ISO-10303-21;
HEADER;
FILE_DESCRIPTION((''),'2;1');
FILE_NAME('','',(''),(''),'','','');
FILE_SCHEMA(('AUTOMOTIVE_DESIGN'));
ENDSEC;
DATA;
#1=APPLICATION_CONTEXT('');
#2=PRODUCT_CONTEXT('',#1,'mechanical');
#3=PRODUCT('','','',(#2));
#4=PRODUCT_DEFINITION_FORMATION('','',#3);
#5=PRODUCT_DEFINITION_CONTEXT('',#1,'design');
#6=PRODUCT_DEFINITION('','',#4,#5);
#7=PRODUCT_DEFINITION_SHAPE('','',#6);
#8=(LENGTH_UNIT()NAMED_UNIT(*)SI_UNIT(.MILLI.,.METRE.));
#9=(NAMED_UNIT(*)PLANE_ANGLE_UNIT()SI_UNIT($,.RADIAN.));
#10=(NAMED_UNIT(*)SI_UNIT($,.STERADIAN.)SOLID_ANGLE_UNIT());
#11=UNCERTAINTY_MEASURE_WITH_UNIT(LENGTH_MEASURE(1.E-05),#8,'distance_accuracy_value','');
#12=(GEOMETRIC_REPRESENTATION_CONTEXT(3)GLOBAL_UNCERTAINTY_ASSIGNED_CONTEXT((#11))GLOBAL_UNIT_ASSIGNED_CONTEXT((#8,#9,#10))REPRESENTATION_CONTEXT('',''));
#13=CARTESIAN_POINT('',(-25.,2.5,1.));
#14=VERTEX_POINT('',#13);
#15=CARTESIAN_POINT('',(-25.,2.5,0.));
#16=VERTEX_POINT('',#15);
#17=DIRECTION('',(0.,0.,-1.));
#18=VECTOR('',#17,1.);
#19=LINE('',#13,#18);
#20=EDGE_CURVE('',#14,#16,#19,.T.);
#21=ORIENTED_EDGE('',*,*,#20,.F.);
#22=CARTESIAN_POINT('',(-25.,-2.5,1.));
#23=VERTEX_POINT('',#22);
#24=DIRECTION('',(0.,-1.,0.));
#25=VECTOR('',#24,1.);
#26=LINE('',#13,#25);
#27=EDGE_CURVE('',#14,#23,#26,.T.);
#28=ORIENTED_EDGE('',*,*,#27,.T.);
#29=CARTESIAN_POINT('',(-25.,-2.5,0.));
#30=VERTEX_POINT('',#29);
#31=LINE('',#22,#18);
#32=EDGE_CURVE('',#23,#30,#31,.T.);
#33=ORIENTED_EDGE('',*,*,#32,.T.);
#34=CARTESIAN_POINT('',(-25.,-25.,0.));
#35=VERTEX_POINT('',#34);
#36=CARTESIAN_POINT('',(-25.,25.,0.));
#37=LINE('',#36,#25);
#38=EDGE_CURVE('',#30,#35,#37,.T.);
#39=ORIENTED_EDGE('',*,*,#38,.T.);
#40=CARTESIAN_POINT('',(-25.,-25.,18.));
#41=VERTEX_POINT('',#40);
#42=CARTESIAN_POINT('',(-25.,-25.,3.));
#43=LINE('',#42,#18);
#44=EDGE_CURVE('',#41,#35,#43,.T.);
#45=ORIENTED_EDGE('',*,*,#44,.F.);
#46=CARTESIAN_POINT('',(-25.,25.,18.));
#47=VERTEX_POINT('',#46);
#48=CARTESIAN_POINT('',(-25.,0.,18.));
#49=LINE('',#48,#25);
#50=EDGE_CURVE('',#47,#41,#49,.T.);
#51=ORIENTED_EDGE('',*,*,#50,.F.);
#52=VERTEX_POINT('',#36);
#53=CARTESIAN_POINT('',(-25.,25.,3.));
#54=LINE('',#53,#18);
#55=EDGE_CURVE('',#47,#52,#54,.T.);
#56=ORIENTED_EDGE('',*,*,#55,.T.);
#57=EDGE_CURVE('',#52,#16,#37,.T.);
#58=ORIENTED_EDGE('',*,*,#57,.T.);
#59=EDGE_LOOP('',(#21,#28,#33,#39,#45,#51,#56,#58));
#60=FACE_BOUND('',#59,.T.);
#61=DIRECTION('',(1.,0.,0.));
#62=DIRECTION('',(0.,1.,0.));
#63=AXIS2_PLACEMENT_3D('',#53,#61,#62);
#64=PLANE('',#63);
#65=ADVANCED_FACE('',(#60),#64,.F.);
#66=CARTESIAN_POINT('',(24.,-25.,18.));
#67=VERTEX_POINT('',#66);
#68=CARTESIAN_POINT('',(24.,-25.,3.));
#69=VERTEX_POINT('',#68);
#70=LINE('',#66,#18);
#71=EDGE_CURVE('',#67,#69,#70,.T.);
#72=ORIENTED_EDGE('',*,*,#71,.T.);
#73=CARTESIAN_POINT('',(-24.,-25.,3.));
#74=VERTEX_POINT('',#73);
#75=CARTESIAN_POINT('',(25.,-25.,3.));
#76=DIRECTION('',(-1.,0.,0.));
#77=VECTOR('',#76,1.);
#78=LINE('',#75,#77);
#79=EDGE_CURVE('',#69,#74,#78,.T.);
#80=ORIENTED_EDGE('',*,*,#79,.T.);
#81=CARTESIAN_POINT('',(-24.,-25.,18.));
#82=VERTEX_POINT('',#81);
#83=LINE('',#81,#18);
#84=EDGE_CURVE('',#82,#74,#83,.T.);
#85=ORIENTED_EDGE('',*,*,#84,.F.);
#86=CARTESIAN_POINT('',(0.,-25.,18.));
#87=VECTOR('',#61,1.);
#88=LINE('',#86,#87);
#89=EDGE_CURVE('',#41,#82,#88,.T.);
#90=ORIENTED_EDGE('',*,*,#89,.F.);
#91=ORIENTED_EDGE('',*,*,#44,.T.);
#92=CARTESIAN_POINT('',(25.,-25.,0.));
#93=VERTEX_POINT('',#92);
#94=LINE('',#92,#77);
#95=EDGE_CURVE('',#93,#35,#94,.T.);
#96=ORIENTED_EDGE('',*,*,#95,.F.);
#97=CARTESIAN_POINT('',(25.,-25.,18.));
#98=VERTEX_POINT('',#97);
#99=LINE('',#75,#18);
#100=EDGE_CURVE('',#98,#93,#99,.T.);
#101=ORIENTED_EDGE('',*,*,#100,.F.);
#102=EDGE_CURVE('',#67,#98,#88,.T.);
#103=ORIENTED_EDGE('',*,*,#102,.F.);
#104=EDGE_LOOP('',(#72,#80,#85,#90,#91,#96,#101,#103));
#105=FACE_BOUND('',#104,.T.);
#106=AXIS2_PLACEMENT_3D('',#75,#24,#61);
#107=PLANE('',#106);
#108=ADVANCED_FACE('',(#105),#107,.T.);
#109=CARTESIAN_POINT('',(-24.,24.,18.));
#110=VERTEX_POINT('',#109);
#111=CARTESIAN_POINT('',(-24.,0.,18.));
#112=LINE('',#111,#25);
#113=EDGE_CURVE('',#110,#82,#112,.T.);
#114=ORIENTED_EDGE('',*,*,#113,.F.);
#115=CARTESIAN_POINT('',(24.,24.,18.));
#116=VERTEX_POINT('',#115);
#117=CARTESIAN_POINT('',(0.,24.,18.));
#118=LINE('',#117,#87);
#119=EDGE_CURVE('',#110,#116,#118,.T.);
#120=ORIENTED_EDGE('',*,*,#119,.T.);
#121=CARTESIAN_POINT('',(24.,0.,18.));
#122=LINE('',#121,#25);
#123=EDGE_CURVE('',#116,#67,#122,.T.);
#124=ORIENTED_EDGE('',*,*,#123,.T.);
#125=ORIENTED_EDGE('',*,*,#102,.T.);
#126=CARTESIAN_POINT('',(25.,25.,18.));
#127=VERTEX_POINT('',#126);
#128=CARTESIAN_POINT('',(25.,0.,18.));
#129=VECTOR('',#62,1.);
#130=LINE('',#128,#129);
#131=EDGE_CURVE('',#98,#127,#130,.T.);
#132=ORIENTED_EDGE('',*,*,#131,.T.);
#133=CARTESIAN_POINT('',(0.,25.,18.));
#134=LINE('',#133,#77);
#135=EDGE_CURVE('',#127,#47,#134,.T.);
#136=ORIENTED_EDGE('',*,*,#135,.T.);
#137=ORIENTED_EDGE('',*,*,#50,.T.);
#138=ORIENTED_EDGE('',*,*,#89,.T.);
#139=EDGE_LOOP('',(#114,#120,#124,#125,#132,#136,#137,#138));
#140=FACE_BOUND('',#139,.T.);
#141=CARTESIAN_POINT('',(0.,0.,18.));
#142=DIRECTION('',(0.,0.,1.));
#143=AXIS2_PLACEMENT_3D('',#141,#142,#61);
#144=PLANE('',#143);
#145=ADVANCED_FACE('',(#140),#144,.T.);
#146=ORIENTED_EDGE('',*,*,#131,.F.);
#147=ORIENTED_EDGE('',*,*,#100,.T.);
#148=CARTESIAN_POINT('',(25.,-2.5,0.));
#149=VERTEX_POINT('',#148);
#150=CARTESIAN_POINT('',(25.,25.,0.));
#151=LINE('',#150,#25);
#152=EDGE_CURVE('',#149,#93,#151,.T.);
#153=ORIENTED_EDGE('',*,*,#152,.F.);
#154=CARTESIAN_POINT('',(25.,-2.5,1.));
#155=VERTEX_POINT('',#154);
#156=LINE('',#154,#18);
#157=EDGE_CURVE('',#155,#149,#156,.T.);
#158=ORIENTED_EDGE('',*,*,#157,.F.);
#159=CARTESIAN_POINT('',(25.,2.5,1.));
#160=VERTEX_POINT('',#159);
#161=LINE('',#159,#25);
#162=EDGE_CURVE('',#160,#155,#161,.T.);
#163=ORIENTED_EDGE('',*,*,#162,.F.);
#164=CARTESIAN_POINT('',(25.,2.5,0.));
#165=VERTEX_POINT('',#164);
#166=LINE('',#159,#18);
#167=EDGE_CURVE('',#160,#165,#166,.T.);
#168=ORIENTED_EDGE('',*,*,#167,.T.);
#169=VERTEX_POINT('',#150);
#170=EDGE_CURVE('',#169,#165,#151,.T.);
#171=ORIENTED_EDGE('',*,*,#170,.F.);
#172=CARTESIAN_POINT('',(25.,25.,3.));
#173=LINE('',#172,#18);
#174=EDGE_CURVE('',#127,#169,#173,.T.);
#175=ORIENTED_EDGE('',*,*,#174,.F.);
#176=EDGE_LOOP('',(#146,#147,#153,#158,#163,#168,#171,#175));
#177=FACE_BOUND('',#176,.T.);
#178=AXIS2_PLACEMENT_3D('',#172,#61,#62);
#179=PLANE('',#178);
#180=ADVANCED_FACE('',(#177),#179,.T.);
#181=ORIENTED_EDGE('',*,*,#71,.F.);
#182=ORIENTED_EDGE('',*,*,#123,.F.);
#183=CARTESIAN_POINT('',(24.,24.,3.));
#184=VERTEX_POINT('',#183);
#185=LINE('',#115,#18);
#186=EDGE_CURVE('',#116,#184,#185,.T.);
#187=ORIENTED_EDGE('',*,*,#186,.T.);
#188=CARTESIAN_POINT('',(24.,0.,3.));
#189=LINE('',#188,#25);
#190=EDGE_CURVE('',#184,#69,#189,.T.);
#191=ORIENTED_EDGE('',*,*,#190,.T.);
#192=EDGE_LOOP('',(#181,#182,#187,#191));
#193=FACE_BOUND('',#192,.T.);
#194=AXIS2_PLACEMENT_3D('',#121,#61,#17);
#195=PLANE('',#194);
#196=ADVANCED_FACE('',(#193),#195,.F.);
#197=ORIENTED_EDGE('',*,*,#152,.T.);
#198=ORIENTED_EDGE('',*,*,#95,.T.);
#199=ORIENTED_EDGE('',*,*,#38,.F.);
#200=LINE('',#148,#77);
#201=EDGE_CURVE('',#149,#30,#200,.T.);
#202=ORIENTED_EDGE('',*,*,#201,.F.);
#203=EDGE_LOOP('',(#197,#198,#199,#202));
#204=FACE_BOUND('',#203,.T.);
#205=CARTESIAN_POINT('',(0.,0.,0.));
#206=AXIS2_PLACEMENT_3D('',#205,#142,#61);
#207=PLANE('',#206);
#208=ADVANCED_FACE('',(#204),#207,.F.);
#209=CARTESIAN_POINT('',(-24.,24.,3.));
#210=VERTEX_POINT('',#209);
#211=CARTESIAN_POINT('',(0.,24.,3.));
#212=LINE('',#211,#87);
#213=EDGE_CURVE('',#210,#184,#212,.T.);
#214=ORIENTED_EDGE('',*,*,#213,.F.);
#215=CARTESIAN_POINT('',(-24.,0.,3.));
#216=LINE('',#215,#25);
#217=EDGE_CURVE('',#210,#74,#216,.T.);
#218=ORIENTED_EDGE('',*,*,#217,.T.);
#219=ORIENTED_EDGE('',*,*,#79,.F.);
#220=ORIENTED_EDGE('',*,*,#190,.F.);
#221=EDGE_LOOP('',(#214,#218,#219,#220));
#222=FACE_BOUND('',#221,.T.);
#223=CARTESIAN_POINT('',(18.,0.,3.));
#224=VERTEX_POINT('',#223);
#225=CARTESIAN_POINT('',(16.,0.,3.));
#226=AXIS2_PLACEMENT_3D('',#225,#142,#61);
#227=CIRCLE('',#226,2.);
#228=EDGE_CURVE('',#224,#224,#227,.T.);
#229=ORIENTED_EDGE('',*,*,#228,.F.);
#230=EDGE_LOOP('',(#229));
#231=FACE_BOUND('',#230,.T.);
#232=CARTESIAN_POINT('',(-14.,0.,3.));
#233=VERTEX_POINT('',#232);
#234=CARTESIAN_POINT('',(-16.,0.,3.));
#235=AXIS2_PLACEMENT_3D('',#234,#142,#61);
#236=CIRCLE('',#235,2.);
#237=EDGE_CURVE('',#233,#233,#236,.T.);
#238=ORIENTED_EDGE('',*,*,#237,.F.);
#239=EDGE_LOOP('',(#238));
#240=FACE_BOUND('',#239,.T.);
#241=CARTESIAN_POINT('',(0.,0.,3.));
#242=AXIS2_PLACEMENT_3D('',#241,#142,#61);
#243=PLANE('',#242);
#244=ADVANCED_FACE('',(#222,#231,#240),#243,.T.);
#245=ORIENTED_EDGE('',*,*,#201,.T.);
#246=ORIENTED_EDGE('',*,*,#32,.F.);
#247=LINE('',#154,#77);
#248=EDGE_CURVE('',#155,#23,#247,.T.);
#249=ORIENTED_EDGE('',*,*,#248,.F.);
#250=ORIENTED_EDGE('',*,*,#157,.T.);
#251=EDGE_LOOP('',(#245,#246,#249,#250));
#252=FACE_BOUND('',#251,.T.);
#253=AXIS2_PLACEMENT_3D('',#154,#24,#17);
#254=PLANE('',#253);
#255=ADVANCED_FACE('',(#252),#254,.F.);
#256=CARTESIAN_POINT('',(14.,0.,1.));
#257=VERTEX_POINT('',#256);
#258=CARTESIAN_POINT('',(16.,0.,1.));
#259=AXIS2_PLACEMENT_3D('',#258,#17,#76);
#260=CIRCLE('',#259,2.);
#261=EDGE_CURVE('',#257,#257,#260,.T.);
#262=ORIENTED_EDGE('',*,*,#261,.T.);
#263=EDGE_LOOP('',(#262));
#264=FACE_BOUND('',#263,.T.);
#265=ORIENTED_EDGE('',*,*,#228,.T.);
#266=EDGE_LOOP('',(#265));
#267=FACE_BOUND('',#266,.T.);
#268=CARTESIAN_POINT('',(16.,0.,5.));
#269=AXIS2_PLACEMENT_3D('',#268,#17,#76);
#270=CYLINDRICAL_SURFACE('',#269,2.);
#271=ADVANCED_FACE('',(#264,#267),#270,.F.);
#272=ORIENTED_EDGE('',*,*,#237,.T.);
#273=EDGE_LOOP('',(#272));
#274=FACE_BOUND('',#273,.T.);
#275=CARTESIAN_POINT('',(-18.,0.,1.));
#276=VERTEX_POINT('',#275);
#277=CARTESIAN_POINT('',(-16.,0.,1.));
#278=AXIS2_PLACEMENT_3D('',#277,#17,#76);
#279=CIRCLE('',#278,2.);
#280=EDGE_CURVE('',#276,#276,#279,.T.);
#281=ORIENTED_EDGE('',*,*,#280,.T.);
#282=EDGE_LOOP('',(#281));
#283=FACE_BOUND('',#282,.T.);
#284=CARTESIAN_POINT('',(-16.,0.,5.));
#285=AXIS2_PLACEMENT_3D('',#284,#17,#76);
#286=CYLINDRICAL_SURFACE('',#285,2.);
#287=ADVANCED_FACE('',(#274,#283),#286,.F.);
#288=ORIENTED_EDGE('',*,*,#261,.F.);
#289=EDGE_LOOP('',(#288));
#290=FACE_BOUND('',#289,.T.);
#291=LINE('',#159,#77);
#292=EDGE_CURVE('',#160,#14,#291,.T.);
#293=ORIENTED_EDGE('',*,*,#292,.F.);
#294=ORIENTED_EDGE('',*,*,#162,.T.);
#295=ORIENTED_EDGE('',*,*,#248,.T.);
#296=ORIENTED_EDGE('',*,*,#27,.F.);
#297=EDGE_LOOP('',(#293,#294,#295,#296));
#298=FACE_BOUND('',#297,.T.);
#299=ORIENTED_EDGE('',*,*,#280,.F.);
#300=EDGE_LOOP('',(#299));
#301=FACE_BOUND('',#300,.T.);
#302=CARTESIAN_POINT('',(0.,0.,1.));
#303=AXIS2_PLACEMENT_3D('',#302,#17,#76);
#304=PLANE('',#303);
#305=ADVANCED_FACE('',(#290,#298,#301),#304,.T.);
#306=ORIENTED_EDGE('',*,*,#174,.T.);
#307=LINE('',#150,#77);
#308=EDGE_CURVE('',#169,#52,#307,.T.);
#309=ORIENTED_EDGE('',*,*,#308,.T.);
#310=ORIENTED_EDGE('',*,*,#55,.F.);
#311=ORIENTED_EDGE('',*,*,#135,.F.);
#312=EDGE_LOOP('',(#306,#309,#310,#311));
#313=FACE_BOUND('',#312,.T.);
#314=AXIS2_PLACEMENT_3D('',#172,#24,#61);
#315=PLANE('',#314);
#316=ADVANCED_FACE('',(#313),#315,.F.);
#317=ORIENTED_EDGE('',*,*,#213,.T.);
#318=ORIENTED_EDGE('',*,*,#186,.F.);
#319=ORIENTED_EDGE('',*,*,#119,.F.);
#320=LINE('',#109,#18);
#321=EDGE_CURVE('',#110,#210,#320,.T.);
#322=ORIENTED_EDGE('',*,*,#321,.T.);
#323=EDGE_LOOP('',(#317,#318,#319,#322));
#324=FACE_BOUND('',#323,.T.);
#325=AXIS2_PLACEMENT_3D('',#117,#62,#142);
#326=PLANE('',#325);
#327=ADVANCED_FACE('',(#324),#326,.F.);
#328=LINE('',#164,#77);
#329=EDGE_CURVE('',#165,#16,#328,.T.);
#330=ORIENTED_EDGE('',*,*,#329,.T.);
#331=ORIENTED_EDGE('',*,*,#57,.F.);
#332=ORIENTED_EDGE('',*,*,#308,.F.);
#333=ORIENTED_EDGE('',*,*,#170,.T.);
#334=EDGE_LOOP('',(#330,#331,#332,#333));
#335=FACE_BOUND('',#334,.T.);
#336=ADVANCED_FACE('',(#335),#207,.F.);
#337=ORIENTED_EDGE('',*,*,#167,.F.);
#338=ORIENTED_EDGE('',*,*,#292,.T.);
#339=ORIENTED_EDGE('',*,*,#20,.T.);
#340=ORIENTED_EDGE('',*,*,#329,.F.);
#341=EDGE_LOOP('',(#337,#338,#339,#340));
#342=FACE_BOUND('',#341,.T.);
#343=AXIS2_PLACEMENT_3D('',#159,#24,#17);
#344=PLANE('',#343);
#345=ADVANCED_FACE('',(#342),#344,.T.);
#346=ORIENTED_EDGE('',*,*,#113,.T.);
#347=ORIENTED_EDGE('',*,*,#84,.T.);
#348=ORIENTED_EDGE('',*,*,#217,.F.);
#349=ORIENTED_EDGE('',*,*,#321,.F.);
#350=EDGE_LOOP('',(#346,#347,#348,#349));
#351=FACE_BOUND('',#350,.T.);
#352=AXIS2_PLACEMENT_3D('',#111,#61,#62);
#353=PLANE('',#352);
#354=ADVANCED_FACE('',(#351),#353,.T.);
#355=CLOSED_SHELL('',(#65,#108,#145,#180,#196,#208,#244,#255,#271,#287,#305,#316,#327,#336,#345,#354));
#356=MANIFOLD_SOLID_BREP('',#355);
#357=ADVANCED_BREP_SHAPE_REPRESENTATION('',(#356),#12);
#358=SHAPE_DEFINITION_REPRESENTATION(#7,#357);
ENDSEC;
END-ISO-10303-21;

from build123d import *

# Parameters (mm, degrees)
SKICA1_W                 = 50
SKICA1_H                 = 50
P_IDAT_VYSUNUT_M2_DEPTH  = 3
SKICA5_W                 = 50
SKICA5_H                 = 5
ODEBRAT_VYSUNUT_M3_DEPTH = 1
P_IDAT_VYSUNUT_M9_DEPTH  = 15
SKICA17_R                = 2
ODEBRAT_VYSUNUT_M8_DEPTH = 4


with BuildPart() as part:
    # Skica1 → Přidat vysunutím2 (new body)
    with BuildSketch(Plane.XY):
        Rectangle(SKICA1_W, SKICA1_H)
    extrude(amount=P_IDAT_VYSUNUT_M2_DEPTH)

    # Skica5 → Odebrat vysunutím3 (cut)
    with BuildSketch(Plane(origin=(0, 0, 0), x_dir=(-1, 0, 0), z_dir=(0, 0, -1))):
        Rectangle(SKICA5_W, SKICA5_H)
    extrude(amount=-ODEBRAT_VYSUNUT_M3_DEPTH, mode=Mode.SUBTRACT)

    # Skica14 → Přidat vysunutím9 (add)
    with BuildSketch(Plane.XY.offset(3)):
        Polygon((25, 25), (-25, 25), (-25, -25), (-24, -25), (-24, 24), (24, 24), (24, -25), (25, -25), align=None)
    extrude(amount=P_IDAT_VYSUNUT_M9_DEPTH)

    # Skica17 → Odebrat vysunutím8 (cut)
    with BuildSketch(Plane(origin=(0, 0, 1), x_dir=(-1, 0, 0), z_dir=(0, 0, -1))):
        with Locations((-16, 0)):
            Circle(SKICA17_R)
        with Locations((16, 0)):
            Circle(SKICA17_R)
    extrude(amount=-ODEBRAT_VYSUNUT_M8_DEPTH, mode=Mode.SUBTRACT)


solid = part.part
